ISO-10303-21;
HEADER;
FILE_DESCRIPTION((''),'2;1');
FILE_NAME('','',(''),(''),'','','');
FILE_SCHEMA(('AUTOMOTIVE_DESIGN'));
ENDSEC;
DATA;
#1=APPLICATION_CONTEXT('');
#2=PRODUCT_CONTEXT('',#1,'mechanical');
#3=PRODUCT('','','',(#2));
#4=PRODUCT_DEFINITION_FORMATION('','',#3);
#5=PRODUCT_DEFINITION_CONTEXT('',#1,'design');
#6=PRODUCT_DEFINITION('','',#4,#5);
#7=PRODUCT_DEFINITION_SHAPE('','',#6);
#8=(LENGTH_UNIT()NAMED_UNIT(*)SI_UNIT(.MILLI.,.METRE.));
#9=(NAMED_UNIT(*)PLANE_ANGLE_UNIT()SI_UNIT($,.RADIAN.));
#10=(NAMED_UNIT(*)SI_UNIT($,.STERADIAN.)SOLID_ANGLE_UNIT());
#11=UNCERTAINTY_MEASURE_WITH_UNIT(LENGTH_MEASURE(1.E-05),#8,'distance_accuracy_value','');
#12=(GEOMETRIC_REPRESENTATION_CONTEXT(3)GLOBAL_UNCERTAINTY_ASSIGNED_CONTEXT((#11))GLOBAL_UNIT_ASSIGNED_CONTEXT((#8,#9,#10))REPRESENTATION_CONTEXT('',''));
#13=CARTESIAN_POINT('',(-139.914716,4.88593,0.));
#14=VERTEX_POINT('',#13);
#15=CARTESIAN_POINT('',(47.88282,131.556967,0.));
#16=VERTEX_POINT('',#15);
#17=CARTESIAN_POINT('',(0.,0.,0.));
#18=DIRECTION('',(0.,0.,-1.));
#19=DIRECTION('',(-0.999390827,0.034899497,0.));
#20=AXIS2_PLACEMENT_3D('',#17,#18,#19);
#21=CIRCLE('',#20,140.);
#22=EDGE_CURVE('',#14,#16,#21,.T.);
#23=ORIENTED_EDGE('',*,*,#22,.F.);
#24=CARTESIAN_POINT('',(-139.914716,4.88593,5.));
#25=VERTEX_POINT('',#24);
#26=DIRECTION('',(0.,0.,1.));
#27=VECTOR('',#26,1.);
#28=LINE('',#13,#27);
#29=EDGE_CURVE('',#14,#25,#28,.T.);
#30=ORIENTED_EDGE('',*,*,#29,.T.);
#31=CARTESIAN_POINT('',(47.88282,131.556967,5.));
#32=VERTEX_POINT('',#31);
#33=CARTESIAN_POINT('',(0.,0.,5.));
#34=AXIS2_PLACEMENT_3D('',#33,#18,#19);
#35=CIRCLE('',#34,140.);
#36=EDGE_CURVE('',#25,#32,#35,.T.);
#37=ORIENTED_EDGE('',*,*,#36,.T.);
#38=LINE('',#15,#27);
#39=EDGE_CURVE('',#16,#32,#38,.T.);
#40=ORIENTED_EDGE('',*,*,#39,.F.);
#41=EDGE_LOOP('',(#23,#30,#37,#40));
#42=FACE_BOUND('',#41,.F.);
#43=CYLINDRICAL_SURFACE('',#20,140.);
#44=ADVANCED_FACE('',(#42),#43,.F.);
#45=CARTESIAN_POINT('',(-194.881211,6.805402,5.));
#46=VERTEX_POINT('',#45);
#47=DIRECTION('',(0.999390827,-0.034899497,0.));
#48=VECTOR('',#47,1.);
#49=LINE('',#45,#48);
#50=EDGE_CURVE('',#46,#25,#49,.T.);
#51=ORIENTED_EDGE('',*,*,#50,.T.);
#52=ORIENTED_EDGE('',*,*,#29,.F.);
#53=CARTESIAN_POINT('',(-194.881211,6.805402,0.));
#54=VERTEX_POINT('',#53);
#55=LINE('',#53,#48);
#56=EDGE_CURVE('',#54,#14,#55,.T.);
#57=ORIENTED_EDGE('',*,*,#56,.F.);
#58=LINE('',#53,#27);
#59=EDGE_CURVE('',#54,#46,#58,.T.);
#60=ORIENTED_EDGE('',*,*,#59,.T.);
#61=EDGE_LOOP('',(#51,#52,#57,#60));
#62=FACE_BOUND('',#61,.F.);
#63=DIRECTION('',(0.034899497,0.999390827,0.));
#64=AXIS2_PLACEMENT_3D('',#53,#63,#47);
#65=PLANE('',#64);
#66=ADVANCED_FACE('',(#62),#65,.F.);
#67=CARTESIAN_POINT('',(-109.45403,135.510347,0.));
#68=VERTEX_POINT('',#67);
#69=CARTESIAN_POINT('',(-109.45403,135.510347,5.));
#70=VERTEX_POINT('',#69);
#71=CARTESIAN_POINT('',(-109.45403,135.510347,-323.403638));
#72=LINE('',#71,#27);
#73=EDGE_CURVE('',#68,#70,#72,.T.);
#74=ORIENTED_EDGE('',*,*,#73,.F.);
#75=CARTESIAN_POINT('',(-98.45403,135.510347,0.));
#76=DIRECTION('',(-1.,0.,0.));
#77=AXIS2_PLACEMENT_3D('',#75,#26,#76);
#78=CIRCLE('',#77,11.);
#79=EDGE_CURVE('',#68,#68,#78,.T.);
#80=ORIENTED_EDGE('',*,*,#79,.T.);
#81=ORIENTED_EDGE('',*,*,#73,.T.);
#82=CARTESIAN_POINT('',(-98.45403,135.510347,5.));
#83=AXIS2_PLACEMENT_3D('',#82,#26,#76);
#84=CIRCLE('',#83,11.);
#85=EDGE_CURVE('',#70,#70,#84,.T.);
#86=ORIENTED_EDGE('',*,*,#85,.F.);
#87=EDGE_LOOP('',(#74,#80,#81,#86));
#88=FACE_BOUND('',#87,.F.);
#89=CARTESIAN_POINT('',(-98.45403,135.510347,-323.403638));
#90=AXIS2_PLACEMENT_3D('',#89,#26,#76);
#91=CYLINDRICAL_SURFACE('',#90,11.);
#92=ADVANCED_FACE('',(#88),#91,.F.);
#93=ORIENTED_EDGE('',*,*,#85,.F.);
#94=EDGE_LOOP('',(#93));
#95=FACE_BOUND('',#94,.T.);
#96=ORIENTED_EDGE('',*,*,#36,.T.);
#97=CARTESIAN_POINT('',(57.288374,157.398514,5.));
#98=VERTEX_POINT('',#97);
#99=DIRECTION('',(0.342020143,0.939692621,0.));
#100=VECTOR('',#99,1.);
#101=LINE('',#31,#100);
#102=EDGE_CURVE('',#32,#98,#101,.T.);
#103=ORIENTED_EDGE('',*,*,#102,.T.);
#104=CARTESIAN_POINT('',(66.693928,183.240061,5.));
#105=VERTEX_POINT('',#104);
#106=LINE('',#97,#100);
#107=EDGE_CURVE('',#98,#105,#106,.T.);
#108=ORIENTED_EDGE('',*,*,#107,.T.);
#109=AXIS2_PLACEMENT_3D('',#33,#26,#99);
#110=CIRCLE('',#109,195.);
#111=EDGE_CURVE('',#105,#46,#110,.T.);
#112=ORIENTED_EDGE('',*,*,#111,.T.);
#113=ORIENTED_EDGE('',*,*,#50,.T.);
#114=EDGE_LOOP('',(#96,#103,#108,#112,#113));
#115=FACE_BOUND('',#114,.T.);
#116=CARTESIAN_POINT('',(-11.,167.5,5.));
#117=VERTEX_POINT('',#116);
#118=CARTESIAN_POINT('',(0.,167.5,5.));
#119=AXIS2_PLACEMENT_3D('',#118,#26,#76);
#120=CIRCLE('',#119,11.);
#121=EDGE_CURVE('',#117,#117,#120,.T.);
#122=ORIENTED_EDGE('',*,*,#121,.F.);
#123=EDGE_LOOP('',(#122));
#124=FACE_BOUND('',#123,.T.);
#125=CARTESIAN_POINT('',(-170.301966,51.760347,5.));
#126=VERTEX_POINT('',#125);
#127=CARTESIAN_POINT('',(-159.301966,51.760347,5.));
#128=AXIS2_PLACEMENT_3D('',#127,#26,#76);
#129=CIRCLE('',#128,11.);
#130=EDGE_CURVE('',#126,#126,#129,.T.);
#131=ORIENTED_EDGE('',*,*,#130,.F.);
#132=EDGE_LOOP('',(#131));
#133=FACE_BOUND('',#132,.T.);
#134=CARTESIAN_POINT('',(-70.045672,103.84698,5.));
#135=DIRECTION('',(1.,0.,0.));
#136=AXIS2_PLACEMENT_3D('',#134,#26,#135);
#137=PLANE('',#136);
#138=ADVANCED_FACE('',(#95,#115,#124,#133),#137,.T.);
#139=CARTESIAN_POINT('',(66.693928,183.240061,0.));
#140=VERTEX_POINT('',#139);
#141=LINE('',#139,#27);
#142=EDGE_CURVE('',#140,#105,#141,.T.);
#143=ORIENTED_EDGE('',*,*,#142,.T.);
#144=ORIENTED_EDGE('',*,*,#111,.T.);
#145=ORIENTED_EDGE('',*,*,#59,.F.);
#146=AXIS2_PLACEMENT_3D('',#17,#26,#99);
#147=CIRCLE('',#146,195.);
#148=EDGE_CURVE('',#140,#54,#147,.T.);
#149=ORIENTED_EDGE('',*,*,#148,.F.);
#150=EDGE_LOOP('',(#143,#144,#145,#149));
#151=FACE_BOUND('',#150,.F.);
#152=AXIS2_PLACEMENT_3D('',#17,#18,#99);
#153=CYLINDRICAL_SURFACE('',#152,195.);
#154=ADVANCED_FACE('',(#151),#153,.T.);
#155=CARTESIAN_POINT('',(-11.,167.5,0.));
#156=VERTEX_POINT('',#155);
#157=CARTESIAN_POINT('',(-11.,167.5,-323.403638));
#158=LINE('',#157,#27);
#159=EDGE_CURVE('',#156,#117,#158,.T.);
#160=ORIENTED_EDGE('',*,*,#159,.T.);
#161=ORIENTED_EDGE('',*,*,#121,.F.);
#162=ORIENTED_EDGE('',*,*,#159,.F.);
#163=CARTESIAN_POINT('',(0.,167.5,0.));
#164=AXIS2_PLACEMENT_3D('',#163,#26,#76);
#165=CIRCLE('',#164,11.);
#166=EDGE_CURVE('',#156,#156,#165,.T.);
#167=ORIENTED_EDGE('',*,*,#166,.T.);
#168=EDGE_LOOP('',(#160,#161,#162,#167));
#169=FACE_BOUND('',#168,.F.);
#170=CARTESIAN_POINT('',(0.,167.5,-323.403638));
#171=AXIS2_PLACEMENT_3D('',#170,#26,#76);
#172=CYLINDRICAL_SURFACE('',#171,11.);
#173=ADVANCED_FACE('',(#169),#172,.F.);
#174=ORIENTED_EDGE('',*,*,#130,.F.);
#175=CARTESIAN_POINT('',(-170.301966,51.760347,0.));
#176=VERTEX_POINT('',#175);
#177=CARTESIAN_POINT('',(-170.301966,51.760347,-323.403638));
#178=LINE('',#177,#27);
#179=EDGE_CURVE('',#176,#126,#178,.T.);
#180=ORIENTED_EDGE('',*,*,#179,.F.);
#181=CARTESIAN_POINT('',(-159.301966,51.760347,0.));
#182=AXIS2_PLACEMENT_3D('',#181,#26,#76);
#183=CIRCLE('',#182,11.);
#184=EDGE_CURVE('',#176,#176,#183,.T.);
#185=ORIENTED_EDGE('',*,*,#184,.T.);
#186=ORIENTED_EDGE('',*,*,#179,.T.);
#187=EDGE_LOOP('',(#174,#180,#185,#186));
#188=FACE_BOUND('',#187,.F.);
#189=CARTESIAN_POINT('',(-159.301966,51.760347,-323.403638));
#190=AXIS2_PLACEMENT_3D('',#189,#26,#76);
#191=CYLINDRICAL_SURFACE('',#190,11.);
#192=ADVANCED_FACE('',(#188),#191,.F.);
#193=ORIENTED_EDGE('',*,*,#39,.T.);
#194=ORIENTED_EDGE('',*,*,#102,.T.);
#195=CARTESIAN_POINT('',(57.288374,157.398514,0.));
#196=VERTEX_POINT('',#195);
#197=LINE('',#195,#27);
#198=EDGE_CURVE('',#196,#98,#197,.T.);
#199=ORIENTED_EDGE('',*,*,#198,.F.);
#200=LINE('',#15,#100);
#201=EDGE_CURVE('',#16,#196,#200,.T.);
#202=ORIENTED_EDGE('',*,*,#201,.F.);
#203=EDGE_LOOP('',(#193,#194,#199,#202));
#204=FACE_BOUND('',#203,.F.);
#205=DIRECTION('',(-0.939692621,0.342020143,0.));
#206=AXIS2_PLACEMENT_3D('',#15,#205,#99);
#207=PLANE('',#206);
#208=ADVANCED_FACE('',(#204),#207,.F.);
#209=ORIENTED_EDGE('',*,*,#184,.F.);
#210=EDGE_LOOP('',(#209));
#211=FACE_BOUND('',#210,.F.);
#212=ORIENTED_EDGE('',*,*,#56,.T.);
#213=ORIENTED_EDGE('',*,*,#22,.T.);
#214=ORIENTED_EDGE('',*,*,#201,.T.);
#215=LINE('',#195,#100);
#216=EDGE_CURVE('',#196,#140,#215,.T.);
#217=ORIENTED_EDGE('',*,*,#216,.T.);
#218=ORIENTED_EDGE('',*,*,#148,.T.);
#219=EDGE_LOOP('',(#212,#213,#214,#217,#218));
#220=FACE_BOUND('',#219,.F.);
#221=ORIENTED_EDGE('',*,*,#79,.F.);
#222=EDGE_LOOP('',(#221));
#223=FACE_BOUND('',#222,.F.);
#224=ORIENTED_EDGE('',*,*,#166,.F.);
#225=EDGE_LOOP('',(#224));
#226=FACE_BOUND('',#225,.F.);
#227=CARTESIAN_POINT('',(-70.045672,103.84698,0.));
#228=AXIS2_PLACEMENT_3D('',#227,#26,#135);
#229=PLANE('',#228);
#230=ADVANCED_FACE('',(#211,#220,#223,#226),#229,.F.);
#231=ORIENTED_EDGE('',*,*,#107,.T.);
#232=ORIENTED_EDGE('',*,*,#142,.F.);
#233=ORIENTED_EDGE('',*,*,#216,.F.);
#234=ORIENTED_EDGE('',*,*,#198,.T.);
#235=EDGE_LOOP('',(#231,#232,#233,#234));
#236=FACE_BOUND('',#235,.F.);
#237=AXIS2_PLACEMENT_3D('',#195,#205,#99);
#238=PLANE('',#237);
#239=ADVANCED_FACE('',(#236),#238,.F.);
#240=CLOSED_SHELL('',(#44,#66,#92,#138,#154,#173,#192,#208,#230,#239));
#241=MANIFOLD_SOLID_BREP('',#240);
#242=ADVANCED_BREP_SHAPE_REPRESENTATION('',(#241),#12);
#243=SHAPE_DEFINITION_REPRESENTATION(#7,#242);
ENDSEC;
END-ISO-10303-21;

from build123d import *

# Parameters (mm, degrees)
F1_DEPTH = 5
F2_D     = 22


with BuildPart() as f1:
    # F0 (on Top) → F1 (new body)
    with BuildSketch(Plane.XY):
        with BuildLine():
            Line((47.8828200656, 131.55696691), (57.288374007, 157.3985139816))
            ThreePointArc((57.288374007, 157.3985139816), (-93.6648113313, 138.863793403), (-167.3979635257, 5.8456656977))
            Line((-167.3979635257, 5.8456656977), (-139.9147157827, 4.8859295384))
            ThreePointArc((-139.9147157827, 4.8859295384), (-78.2870064859, 116.0652601577), (47.8828200656, 131.55696691))
        make_face()
        with BuildLine():
            Line((57.288374007, 157.3985139816), (66.6939279485, 183.2400610533))
            ThreePointArc((66.6939279485, 183.2400610533), (-109.0426161768, 161.6623266482), (-194.8812112687, 6.805401857))
            Line((-194.8812112687, 6.805401857), (-167.3979635257, 5.8456656977))
            ThreePointArc((-167.3979635257, 5.8456656977), (-93.6648113313, 138.863793403), (57.288374007, 157.3985139816))
        make_face()
    extrude(amount=F1_DEPTH)

    # F2 (through all)
    with Locations(Plane(origin=(0, 0, 0), x_dir=(1, 0, 0), z_dir=(0, 0, -1))):
        with Locations((0, -167.5), (-98.454029759, -135.5103465578), (-159.3019664794, -51.7603465578)):
            Hole(F2_D / 2)


solid = f1.part
